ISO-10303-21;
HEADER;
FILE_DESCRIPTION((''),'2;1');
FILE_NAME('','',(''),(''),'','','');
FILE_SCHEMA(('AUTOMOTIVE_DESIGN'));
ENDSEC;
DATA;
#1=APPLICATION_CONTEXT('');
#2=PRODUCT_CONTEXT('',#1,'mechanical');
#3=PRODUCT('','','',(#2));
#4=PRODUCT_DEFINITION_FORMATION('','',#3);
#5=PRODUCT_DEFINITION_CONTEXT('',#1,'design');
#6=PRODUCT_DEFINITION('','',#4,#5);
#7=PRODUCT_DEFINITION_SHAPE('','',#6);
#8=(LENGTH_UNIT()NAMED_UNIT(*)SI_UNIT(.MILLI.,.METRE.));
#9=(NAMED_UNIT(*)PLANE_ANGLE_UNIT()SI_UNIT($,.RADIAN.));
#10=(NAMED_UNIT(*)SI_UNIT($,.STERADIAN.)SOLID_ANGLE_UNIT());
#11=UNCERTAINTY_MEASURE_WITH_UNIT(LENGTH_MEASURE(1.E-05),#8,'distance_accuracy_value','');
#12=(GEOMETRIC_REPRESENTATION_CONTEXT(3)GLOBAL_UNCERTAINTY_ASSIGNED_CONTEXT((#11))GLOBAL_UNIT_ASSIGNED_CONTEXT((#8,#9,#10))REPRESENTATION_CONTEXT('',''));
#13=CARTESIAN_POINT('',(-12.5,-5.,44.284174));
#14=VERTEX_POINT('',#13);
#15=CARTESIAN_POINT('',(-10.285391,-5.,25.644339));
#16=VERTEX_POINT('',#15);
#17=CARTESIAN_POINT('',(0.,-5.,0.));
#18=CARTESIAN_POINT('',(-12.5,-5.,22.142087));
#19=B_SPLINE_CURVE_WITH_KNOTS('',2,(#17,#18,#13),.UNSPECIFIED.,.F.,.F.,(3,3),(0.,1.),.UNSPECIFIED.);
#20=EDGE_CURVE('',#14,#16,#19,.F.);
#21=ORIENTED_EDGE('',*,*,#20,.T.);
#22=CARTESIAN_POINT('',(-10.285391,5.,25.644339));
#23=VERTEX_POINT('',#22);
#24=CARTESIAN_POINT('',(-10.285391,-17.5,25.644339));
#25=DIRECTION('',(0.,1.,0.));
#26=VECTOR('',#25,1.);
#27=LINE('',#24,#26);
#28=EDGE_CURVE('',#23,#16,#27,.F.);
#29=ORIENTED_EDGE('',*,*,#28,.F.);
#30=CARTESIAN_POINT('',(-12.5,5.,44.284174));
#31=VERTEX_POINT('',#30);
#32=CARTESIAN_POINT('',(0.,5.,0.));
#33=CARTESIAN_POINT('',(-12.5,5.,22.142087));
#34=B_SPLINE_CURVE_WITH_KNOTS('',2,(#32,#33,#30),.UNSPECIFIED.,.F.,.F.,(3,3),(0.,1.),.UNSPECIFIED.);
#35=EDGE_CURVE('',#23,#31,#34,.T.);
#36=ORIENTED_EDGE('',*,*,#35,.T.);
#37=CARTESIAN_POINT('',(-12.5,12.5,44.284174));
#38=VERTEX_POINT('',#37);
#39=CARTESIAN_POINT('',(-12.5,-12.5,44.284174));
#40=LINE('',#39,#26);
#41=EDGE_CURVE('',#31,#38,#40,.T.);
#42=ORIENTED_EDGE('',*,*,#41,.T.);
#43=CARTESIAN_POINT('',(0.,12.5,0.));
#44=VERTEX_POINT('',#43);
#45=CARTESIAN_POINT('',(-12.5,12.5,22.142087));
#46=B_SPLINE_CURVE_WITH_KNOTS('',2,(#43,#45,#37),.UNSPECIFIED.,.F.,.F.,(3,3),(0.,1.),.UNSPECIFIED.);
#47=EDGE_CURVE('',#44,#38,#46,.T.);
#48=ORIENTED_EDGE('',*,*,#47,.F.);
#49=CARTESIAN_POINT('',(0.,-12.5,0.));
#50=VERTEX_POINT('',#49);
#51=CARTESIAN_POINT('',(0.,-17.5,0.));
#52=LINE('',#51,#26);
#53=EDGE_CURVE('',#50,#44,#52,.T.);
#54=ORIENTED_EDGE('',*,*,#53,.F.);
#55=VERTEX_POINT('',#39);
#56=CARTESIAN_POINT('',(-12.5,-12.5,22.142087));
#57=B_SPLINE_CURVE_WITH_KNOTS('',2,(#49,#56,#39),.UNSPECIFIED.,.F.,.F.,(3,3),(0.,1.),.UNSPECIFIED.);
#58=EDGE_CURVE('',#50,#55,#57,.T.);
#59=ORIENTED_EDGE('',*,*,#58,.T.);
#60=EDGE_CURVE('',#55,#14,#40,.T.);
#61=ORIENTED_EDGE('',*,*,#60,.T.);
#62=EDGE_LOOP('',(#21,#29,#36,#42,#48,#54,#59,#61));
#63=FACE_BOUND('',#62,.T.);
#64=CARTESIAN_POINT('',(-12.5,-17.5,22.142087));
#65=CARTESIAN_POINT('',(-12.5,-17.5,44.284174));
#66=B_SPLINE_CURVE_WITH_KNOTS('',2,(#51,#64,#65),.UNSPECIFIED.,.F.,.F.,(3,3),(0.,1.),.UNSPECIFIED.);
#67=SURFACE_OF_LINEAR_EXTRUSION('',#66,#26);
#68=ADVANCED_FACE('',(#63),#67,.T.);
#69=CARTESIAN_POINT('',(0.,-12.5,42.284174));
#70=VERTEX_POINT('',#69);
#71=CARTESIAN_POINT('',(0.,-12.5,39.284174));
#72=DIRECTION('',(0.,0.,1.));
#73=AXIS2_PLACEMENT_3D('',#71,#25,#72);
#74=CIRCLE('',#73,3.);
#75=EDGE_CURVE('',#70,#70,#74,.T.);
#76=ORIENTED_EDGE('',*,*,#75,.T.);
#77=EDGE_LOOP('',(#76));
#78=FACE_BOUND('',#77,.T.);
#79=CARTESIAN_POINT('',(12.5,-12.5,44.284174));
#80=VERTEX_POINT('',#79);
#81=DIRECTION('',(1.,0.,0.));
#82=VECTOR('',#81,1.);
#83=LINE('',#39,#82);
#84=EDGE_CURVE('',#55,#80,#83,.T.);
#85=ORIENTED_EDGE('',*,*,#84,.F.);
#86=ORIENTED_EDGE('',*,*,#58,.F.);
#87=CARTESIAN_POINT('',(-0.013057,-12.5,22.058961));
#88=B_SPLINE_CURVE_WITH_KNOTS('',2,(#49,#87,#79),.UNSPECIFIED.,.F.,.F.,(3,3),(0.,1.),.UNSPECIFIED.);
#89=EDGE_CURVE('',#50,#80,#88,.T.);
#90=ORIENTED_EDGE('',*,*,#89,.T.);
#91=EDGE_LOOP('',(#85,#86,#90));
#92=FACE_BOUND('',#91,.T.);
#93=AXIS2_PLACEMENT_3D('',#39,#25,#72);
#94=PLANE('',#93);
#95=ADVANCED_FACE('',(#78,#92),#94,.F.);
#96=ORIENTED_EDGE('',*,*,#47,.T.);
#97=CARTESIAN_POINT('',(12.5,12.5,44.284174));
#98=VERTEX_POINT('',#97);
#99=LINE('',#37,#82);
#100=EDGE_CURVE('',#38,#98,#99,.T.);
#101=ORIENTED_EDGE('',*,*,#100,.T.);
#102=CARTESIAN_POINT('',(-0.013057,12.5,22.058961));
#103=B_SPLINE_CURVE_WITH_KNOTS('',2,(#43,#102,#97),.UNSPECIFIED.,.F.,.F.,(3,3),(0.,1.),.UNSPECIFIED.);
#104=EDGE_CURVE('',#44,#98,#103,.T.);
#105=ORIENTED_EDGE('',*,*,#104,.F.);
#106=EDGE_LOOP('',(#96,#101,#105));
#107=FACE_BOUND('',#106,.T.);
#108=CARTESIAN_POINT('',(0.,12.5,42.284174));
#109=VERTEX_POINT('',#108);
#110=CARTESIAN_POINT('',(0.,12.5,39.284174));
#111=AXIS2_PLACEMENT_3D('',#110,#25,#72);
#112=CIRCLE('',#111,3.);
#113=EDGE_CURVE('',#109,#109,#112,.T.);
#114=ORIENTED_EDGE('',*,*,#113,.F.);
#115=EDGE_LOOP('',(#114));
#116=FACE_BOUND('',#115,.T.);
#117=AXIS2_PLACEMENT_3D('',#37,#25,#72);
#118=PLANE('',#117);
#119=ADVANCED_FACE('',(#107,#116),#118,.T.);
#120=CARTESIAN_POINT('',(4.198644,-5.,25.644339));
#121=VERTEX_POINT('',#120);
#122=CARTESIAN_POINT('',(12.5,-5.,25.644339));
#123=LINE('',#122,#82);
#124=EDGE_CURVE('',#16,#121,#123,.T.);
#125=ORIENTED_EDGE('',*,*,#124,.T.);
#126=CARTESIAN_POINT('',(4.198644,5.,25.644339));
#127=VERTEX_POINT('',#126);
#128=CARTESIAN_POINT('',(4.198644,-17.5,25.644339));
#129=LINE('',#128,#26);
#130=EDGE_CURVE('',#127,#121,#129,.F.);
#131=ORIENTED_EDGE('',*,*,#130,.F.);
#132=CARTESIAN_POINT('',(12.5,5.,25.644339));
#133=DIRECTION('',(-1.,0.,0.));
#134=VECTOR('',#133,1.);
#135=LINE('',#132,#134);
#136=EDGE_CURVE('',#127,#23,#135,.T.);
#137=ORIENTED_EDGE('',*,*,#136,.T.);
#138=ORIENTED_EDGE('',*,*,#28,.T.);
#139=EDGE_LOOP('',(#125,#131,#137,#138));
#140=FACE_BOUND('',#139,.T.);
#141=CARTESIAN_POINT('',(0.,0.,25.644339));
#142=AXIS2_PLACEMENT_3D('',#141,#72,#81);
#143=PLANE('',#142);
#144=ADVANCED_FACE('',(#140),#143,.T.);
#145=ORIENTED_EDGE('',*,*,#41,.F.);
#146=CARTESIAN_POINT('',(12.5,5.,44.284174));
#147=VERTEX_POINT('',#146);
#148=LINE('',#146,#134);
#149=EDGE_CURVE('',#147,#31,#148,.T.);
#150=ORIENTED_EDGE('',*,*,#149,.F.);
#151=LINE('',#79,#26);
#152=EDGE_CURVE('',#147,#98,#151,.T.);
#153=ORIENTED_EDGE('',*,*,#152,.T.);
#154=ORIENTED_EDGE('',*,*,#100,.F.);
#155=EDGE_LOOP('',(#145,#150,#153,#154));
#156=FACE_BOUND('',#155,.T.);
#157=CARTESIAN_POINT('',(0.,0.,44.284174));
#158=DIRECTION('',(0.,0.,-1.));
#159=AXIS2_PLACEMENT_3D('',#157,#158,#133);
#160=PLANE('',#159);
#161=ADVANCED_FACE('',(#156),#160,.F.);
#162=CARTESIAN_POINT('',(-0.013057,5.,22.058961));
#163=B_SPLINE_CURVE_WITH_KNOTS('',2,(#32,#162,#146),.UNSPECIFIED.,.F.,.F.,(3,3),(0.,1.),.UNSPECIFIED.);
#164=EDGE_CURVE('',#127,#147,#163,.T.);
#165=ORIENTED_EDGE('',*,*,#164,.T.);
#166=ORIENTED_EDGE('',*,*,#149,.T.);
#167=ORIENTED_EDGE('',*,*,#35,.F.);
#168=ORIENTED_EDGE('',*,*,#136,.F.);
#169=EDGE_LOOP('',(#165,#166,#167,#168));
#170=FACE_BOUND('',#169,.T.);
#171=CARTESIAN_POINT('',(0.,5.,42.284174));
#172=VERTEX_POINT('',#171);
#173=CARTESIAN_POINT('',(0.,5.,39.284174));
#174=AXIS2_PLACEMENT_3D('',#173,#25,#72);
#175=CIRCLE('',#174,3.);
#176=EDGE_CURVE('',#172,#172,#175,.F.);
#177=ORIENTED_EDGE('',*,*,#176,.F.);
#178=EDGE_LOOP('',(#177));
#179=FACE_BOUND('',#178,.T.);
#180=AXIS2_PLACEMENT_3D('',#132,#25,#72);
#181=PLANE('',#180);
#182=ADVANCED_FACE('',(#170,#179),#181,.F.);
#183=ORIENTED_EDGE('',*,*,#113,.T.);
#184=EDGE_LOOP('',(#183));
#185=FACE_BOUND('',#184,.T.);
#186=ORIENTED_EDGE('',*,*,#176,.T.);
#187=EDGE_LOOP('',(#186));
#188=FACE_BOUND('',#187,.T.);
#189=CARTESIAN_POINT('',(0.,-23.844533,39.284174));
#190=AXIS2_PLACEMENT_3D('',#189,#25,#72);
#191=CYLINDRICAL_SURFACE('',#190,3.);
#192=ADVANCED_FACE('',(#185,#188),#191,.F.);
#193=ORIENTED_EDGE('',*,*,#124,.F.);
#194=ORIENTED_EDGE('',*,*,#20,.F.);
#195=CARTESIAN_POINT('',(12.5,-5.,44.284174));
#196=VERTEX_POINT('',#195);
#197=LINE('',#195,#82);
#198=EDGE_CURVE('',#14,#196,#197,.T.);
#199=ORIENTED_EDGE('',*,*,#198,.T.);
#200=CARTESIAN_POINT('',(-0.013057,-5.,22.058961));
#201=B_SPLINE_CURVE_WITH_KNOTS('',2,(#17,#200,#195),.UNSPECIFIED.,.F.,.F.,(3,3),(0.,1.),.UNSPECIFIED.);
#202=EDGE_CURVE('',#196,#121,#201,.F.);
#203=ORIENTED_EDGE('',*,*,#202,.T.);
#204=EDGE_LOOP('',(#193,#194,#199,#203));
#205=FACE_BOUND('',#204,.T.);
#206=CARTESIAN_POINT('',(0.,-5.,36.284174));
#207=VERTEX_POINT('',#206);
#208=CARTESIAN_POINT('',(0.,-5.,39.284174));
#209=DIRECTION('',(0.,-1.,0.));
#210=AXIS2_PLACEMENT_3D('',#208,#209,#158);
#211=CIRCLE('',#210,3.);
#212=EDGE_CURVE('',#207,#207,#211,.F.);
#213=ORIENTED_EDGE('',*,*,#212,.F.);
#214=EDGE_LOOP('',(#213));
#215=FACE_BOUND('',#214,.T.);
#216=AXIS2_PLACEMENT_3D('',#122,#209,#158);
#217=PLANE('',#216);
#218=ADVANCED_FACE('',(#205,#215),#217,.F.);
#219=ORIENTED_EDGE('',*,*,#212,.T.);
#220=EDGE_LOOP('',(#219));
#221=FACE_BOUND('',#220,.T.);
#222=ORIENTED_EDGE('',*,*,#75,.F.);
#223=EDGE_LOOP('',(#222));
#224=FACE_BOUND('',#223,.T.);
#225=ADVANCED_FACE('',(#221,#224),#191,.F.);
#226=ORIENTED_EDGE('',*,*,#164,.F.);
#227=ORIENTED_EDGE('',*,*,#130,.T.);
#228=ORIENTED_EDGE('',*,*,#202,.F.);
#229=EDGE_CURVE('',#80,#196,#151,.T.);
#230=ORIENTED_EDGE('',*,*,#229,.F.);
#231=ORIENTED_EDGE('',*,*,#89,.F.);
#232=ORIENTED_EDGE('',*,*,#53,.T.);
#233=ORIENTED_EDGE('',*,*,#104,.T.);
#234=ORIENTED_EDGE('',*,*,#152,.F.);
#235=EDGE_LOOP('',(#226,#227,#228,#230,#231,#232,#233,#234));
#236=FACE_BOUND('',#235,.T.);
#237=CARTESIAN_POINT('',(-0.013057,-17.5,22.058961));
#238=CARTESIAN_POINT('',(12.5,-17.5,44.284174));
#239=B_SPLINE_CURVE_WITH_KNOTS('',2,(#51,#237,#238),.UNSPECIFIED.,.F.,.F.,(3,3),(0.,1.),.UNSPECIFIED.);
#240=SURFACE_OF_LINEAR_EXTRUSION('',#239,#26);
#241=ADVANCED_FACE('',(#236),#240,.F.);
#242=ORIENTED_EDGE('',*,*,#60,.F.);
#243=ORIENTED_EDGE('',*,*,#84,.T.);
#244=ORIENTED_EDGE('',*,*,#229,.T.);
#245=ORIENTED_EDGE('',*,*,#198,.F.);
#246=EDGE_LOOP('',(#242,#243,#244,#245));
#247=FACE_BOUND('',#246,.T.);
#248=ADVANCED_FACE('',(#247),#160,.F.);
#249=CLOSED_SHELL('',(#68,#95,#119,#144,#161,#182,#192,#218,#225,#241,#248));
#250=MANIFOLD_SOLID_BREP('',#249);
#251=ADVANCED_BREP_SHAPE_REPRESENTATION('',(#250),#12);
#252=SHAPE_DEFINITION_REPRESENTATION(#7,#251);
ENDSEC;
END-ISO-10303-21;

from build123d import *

# Parameters (mm, degrees)
SKETCH_1_W          = 25
SKETCH_1_H          = 25
EXTRUDE_1_DEPTH     = 44.284173786
SKETCH_2_R          = 3
CUT_EXTRUDE_1_DEPTH = 36.344532851
SKETCH_4_W          = 25
SKETCH_4_H          = 10
CUT_EXTRUDE_2_DEPTH = 18.639834826
CUT_EXTRUDE_4_DEPTH = 30


with BuildPart() as part:
    # 스케치1 → 보스-돌출1 (new body)
    with BuildSketch(Plane.XY):
        Rectangle(SKETCH_1_W, SKETCH_1_H)
    extrude(amount=EXTRUDE_1_DEPTH)

    # 스케치2 → 컷-돌출1 (cut)
    with BuildSketch(Plane(origin=(0, 12.5, 0), x_dir=(1, 0, 0), z_dir=(0, 1, 0))):
        with Locations(Location((0, -39.284173786, 0), (0, 0, 270))):
            Circle(SKETCH_2_R)
    extrude(amount=-CUT_EXTRUDE_1_DEPTH, mode=Mode.SUBTRACT)

    # 스케치4 → 컷-돌출2 (cut)
    with BuildSketch(Plane.XY.offset(44.284173786)):
        Rectangle(SKETCH_4_W, SKETCH_4_H)
    extrude(amount=-CUT_EXTRUDE_2_DEPTH, mode=Mode.SUBTRACT)

    # 스케치5 → 컷-돌출4 (cut)
    with BuildSketch(Plane(origin=(0, 12.5, 0), x_dir=(1, 0, 0), z_dir=(0, 1, 0))):
        with BuildLine():
            add(Edge.make_bspline(
                [(0, 0), (-0.013056864, -22.058961494), (12.5, -44.284173786)],
                knots=[0, 0, 0, 1, 1, 1], degree=2))
            Line((12.5, -44.284173786), (12.5, 0))
            Line((12.5, 0), (0, 0))
        make_face()
        with BuildLine():
            add(Edge.make_bspline(
                [(0, 0), (-12.5, -22.142086893), (-12.5, -44.284173786)],
                knots=[0, 0, 0, 1, 1, 1], degree=2))
            Line((0, 0), (-12.5, 0))
            Line((-12.5, 0), (-12.5, -44.284173786))
        make_face()
    extrude(amount=-CUT_EXTRUDE_4_DEPTH, mode=Mode.SUBTRACT)


solid = part.part
